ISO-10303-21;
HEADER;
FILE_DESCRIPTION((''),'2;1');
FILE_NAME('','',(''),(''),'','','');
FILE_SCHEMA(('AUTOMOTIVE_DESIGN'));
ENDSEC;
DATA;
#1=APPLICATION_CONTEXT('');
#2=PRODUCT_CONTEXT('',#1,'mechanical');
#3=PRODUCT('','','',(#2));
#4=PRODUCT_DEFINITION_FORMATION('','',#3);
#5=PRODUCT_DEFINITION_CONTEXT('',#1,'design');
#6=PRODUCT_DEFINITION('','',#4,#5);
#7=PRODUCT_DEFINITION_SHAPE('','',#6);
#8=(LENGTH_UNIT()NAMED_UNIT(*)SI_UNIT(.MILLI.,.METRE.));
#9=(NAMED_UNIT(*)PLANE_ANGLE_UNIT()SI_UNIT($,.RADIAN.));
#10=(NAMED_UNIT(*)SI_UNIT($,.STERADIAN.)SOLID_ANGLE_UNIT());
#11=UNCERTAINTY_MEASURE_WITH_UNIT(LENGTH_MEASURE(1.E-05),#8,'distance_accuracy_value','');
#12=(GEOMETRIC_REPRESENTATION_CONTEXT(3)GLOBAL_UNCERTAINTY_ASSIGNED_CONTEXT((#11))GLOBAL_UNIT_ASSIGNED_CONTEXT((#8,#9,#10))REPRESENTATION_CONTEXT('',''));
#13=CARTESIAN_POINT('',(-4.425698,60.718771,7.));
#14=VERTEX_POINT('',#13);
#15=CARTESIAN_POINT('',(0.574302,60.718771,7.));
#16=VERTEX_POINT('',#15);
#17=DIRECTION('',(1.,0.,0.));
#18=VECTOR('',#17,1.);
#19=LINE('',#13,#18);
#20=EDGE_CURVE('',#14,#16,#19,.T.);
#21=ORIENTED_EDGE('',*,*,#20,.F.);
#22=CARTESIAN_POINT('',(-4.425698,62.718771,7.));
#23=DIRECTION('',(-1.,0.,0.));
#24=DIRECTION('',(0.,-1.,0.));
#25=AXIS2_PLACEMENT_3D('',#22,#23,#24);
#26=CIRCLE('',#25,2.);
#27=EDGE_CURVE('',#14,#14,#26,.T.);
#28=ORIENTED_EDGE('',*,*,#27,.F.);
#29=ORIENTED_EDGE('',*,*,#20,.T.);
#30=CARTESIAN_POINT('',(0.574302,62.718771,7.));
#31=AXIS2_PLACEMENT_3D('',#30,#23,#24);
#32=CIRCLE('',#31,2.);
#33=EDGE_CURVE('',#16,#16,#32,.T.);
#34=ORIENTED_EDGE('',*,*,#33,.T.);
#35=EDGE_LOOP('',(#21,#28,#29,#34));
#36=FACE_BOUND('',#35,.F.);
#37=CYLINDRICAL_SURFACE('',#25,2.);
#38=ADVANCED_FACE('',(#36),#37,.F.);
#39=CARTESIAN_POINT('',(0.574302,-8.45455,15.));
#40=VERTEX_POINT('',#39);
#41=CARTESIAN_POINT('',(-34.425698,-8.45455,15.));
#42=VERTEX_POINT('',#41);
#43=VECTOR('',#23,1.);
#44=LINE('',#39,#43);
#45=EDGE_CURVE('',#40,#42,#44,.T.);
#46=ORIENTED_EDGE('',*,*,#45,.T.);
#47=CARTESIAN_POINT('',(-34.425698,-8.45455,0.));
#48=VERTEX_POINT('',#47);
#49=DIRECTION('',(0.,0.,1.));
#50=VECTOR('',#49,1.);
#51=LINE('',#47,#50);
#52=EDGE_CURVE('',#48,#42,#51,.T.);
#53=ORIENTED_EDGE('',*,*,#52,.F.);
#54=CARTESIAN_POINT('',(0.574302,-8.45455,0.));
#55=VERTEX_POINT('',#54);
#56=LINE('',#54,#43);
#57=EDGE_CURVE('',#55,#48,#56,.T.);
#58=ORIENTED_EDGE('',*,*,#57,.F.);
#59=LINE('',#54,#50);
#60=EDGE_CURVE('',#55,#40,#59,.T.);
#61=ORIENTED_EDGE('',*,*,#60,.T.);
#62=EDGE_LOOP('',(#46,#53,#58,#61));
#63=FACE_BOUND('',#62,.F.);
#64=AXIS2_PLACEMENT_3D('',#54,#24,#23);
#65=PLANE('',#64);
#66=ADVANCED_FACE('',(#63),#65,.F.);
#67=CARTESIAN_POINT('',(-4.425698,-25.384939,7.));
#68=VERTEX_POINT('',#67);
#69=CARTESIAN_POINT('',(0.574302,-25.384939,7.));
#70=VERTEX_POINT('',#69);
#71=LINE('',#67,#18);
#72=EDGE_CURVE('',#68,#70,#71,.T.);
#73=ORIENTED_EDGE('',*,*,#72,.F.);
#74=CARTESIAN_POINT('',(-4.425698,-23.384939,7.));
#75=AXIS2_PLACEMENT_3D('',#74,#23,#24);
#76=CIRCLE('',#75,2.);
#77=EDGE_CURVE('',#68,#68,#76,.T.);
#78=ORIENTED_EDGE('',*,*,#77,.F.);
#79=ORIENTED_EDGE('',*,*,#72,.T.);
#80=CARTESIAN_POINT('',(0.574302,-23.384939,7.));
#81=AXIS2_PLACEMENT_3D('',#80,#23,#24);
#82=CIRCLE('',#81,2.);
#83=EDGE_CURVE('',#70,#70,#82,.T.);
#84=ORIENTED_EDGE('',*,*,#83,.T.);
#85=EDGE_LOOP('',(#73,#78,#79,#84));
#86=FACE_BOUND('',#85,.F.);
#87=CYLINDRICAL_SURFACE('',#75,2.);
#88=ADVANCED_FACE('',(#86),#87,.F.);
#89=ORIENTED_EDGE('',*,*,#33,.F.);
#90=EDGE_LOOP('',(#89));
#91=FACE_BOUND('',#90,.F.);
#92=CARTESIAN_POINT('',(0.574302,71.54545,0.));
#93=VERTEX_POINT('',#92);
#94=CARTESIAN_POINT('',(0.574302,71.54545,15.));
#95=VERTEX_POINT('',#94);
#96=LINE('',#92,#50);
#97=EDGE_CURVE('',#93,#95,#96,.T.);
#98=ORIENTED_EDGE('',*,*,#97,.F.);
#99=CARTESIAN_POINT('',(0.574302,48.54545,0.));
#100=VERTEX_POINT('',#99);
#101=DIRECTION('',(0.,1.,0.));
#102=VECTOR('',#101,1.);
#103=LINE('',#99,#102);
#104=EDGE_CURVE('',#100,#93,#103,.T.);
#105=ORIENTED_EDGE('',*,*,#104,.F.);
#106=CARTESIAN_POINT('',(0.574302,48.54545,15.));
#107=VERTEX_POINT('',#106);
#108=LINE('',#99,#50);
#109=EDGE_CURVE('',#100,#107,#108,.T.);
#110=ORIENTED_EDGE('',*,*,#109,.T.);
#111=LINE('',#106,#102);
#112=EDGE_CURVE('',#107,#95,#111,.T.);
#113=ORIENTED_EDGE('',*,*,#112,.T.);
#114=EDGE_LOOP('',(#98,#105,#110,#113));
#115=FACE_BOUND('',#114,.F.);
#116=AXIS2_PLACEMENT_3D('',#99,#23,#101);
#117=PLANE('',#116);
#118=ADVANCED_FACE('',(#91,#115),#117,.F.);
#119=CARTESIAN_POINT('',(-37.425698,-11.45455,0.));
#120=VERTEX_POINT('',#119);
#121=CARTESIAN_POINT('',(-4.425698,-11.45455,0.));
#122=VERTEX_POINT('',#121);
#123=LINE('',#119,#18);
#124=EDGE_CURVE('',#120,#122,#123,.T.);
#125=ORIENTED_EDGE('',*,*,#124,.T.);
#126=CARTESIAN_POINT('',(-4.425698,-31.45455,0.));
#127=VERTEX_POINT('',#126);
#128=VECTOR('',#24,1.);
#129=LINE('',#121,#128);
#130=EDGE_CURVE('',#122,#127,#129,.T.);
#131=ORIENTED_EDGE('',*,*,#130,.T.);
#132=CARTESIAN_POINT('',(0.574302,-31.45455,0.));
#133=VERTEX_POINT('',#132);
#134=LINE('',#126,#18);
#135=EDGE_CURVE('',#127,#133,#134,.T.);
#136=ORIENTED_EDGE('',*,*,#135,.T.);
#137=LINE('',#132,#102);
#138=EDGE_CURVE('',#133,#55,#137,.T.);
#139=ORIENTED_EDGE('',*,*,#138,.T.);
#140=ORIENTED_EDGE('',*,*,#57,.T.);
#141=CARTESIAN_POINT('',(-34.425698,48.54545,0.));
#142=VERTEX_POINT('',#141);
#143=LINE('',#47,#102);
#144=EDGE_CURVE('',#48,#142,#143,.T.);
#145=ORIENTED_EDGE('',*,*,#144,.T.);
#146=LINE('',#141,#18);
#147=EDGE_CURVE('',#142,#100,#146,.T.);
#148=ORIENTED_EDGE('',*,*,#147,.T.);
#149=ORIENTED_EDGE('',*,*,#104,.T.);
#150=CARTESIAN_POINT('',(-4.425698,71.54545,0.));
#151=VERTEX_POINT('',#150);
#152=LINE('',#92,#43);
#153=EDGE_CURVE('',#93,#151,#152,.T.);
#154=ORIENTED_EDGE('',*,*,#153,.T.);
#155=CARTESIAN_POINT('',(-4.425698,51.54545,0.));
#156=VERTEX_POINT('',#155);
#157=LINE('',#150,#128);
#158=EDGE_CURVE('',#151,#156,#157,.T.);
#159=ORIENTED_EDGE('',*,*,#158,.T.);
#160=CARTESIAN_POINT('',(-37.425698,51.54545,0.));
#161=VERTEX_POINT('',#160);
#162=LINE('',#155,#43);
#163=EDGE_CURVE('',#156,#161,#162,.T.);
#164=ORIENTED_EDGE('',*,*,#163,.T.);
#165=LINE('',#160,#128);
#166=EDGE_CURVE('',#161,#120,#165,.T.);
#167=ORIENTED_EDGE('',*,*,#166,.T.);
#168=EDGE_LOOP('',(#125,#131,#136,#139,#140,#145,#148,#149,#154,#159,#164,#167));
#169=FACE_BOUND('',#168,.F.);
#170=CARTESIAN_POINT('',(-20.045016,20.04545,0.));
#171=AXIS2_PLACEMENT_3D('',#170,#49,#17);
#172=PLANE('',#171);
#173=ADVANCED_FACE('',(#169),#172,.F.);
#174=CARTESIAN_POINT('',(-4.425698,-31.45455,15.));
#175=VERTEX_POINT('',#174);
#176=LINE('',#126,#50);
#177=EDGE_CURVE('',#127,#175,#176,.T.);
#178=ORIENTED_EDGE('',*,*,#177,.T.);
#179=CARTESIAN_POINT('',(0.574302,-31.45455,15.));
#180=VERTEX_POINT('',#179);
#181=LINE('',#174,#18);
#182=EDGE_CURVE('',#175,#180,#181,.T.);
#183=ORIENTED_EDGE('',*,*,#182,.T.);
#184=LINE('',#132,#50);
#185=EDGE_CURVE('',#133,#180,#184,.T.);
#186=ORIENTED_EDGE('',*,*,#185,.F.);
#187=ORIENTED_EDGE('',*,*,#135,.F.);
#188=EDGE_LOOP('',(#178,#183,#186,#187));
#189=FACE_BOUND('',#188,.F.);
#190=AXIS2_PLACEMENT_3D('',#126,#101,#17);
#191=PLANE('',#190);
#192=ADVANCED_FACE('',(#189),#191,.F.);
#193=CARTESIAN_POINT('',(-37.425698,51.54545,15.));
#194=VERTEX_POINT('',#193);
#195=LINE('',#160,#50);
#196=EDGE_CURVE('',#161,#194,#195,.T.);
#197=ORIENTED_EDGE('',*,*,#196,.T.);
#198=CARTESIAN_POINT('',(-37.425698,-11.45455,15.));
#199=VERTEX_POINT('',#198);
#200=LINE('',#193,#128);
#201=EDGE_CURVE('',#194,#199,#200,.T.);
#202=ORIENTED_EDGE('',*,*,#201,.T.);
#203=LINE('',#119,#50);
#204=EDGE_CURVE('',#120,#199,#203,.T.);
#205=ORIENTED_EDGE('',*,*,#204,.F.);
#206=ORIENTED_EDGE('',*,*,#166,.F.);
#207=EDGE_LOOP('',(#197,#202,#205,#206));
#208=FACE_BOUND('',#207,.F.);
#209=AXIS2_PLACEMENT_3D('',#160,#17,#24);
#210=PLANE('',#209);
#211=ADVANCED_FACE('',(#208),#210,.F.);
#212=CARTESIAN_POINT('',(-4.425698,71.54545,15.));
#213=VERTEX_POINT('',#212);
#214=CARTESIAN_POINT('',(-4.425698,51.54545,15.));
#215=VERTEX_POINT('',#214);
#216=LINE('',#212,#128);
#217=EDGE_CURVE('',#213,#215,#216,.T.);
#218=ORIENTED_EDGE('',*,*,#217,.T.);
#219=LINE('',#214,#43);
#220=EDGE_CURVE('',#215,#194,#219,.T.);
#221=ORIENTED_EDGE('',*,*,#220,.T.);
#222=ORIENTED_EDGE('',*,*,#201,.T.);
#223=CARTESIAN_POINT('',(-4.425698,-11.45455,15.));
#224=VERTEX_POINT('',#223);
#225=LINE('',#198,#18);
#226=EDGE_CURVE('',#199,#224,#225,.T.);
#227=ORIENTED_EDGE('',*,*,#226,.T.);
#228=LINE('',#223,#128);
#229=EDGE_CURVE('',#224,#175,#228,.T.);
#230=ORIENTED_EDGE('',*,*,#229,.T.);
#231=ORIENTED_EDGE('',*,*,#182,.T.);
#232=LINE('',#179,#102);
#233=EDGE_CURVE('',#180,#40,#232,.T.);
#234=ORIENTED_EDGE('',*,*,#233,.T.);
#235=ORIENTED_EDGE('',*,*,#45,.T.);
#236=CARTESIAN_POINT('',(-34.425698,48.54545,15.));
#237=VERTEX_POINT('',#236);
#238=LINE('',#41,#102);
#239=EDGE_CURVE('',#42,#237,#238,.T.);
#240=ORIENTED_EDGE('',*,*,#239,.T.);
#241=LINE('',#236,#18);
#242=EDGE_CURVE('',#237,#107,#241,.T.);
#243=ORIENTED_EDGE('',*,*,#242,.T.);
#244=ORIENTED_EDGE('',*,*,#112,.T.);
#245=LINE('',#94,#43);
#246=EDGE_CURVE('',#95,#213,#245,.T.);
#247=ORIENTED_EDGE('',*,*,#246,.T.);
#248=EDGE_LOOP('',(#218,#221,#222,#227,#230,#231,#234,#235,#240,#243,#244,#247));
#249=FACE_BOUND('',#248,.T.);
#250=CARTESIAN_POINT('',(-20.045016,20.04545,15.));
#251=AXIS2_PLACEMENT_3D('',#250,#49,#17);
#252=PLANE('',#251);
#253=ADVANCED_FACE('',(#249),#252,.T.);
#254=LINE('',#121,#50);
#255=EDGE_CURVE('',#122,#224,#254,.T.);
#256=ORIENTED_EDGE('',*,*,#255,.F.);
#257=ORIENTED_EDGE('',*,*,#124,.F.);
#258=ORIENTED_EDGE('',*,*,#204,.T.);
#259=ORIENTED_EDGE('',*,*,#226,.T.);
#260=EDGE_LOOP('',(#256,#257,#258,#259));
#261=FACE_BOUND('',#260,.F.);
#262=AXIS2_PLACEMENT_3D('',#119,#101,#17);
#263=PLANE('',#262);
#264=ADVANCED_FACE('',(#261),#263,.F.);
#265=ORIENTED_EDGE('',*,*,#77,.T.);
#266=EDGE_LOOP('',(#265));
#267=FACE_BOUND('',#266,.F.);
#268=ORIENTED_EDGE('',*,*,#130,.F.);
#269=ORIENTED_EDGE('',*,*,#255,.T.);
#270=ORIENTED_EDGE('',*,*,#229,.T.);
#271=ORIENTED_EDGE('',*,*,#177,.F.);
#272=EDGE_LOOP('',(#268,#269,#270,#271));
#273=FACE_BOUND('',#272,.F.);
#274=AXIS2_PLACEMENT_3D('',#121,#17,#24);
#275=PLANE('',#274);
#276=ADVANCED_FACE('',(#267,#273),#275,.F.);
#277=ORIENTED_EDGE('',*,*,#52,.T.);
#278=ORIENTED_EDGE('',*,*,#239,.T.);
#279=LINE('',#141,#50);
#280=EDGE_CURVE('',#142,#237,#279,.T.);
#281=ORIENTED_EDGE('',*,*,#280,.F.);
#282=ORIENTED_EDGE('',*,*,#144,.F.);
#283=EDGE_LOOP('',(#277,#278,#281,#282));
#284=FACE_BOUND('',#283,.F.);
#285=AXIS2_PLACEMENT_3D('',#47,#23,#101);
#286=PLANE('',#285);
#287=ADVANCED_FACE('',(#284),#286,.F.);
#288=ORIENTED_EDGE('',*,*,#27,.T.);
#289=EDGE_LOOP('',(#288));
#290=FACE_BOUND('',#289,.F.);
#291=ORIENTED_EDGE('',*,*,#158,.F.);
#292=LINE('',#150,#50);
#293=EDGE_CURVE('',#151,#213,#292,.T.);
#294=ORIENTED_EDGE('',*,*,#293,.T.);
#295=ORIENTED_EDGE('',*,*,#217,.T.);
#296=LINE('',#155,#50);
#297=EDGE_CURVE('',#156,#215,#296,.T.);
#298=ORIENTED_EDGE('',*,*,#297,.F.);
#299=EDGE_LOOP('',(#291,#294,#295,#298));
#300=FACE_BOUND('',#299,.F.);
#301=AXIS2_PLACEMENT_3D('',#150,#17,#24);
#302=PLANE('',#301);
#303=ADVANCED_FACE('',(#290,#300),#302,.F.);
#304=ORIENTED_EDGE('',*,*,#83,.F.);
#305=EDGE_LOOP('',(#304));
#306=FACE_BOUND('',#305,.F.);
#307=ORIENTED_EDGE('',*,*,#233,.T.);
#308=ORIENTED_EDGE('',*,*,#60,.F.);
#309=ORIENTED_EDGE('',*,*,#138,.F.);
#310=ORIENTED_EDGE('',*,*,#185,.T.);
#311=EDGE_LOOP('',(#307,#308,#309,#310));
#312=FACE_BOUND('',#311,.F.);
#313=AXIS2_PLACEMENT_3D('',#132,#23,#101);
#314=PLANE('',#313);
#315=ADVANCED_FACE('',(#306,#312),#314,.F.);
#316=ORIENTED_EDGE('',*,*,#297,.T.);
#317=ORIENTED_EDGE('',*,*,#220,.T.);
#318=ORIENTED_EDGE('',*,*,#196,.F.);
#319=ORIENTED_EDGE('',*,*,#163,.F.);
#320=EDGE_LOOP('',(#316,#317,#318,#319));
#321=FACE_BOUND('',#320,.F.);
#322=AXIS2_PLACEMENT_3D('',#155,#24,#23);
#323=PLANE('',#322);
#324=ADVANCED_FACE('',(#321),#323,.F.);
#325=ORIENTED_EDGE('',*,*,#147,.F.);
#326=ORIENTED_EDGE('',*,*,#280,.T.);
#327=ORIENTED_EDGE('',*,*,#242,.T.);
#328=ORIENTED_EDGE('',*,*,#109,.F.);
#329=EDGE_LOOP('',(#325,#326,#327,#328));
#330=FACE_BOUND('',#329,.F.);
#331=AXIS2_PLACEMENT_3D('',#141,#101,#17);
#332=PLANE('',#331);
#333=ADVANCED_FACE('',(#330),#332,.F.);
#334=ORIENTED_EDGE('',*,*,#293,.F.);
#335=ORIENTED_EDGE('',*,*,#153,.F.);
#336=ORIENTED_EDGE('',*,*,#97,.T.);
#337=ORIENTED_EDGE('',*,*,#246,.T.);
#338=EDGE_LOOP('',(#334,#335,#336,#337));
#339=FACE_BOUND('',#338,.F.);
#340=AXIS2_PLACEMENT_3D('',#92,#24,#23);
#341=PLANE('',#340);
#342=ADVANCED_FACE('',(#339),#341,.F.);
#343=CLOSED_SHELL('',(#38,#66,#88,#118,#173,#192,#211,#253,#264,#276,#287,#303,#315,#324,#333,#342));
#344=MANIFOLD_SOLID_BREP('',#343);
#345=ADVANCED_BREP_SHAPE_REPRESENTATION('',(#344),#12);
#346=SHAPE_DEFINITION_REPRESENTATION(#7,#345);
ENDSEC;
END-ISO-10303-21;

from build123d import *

# Parameters (mm, degrees)
PAD_DEPTH   = 15
SKETCH001_R = 2
HOLE_DEPTH  = 25


with BuildPart() as part:
    # Sketch → Pad (new body)
    with BuildSketch(Plane.XY):
        Polygon((-4.425698, 71.54545), (-4.425698, 51.54545), (-37.425698, 51.54545), (-37.425698, -11.45455), (-4.425698, -11.45455), (-4.425698, -31.45455), (0.574302, -31.45455), (0.574302, -8.45455), (-34.425698, -8.45455), (-34.425698, 48.54545), (0.574302, 48.54545), (0.574302, 71.54545), align=None)
    extrude(amount=PAD_DEPTH)

    # Sketch001 (on Face5 of Pad) → Hole (cut)
    with BuildSketch(Plane(origin=(-4.425698, 0, 0), x_dir=(0, -1, 0), z_dir=(-1, 0, 0))):
        with Locations((-62.718771, 7)):
            Circle(SKETCH001_R)
        with Locations((23.384939, 7)):
            Circle(SKETCH001_R)
    extrude(amount=-HOLE_DEPTH, mode=Mode.SUBTRACT)


solid = part.part
